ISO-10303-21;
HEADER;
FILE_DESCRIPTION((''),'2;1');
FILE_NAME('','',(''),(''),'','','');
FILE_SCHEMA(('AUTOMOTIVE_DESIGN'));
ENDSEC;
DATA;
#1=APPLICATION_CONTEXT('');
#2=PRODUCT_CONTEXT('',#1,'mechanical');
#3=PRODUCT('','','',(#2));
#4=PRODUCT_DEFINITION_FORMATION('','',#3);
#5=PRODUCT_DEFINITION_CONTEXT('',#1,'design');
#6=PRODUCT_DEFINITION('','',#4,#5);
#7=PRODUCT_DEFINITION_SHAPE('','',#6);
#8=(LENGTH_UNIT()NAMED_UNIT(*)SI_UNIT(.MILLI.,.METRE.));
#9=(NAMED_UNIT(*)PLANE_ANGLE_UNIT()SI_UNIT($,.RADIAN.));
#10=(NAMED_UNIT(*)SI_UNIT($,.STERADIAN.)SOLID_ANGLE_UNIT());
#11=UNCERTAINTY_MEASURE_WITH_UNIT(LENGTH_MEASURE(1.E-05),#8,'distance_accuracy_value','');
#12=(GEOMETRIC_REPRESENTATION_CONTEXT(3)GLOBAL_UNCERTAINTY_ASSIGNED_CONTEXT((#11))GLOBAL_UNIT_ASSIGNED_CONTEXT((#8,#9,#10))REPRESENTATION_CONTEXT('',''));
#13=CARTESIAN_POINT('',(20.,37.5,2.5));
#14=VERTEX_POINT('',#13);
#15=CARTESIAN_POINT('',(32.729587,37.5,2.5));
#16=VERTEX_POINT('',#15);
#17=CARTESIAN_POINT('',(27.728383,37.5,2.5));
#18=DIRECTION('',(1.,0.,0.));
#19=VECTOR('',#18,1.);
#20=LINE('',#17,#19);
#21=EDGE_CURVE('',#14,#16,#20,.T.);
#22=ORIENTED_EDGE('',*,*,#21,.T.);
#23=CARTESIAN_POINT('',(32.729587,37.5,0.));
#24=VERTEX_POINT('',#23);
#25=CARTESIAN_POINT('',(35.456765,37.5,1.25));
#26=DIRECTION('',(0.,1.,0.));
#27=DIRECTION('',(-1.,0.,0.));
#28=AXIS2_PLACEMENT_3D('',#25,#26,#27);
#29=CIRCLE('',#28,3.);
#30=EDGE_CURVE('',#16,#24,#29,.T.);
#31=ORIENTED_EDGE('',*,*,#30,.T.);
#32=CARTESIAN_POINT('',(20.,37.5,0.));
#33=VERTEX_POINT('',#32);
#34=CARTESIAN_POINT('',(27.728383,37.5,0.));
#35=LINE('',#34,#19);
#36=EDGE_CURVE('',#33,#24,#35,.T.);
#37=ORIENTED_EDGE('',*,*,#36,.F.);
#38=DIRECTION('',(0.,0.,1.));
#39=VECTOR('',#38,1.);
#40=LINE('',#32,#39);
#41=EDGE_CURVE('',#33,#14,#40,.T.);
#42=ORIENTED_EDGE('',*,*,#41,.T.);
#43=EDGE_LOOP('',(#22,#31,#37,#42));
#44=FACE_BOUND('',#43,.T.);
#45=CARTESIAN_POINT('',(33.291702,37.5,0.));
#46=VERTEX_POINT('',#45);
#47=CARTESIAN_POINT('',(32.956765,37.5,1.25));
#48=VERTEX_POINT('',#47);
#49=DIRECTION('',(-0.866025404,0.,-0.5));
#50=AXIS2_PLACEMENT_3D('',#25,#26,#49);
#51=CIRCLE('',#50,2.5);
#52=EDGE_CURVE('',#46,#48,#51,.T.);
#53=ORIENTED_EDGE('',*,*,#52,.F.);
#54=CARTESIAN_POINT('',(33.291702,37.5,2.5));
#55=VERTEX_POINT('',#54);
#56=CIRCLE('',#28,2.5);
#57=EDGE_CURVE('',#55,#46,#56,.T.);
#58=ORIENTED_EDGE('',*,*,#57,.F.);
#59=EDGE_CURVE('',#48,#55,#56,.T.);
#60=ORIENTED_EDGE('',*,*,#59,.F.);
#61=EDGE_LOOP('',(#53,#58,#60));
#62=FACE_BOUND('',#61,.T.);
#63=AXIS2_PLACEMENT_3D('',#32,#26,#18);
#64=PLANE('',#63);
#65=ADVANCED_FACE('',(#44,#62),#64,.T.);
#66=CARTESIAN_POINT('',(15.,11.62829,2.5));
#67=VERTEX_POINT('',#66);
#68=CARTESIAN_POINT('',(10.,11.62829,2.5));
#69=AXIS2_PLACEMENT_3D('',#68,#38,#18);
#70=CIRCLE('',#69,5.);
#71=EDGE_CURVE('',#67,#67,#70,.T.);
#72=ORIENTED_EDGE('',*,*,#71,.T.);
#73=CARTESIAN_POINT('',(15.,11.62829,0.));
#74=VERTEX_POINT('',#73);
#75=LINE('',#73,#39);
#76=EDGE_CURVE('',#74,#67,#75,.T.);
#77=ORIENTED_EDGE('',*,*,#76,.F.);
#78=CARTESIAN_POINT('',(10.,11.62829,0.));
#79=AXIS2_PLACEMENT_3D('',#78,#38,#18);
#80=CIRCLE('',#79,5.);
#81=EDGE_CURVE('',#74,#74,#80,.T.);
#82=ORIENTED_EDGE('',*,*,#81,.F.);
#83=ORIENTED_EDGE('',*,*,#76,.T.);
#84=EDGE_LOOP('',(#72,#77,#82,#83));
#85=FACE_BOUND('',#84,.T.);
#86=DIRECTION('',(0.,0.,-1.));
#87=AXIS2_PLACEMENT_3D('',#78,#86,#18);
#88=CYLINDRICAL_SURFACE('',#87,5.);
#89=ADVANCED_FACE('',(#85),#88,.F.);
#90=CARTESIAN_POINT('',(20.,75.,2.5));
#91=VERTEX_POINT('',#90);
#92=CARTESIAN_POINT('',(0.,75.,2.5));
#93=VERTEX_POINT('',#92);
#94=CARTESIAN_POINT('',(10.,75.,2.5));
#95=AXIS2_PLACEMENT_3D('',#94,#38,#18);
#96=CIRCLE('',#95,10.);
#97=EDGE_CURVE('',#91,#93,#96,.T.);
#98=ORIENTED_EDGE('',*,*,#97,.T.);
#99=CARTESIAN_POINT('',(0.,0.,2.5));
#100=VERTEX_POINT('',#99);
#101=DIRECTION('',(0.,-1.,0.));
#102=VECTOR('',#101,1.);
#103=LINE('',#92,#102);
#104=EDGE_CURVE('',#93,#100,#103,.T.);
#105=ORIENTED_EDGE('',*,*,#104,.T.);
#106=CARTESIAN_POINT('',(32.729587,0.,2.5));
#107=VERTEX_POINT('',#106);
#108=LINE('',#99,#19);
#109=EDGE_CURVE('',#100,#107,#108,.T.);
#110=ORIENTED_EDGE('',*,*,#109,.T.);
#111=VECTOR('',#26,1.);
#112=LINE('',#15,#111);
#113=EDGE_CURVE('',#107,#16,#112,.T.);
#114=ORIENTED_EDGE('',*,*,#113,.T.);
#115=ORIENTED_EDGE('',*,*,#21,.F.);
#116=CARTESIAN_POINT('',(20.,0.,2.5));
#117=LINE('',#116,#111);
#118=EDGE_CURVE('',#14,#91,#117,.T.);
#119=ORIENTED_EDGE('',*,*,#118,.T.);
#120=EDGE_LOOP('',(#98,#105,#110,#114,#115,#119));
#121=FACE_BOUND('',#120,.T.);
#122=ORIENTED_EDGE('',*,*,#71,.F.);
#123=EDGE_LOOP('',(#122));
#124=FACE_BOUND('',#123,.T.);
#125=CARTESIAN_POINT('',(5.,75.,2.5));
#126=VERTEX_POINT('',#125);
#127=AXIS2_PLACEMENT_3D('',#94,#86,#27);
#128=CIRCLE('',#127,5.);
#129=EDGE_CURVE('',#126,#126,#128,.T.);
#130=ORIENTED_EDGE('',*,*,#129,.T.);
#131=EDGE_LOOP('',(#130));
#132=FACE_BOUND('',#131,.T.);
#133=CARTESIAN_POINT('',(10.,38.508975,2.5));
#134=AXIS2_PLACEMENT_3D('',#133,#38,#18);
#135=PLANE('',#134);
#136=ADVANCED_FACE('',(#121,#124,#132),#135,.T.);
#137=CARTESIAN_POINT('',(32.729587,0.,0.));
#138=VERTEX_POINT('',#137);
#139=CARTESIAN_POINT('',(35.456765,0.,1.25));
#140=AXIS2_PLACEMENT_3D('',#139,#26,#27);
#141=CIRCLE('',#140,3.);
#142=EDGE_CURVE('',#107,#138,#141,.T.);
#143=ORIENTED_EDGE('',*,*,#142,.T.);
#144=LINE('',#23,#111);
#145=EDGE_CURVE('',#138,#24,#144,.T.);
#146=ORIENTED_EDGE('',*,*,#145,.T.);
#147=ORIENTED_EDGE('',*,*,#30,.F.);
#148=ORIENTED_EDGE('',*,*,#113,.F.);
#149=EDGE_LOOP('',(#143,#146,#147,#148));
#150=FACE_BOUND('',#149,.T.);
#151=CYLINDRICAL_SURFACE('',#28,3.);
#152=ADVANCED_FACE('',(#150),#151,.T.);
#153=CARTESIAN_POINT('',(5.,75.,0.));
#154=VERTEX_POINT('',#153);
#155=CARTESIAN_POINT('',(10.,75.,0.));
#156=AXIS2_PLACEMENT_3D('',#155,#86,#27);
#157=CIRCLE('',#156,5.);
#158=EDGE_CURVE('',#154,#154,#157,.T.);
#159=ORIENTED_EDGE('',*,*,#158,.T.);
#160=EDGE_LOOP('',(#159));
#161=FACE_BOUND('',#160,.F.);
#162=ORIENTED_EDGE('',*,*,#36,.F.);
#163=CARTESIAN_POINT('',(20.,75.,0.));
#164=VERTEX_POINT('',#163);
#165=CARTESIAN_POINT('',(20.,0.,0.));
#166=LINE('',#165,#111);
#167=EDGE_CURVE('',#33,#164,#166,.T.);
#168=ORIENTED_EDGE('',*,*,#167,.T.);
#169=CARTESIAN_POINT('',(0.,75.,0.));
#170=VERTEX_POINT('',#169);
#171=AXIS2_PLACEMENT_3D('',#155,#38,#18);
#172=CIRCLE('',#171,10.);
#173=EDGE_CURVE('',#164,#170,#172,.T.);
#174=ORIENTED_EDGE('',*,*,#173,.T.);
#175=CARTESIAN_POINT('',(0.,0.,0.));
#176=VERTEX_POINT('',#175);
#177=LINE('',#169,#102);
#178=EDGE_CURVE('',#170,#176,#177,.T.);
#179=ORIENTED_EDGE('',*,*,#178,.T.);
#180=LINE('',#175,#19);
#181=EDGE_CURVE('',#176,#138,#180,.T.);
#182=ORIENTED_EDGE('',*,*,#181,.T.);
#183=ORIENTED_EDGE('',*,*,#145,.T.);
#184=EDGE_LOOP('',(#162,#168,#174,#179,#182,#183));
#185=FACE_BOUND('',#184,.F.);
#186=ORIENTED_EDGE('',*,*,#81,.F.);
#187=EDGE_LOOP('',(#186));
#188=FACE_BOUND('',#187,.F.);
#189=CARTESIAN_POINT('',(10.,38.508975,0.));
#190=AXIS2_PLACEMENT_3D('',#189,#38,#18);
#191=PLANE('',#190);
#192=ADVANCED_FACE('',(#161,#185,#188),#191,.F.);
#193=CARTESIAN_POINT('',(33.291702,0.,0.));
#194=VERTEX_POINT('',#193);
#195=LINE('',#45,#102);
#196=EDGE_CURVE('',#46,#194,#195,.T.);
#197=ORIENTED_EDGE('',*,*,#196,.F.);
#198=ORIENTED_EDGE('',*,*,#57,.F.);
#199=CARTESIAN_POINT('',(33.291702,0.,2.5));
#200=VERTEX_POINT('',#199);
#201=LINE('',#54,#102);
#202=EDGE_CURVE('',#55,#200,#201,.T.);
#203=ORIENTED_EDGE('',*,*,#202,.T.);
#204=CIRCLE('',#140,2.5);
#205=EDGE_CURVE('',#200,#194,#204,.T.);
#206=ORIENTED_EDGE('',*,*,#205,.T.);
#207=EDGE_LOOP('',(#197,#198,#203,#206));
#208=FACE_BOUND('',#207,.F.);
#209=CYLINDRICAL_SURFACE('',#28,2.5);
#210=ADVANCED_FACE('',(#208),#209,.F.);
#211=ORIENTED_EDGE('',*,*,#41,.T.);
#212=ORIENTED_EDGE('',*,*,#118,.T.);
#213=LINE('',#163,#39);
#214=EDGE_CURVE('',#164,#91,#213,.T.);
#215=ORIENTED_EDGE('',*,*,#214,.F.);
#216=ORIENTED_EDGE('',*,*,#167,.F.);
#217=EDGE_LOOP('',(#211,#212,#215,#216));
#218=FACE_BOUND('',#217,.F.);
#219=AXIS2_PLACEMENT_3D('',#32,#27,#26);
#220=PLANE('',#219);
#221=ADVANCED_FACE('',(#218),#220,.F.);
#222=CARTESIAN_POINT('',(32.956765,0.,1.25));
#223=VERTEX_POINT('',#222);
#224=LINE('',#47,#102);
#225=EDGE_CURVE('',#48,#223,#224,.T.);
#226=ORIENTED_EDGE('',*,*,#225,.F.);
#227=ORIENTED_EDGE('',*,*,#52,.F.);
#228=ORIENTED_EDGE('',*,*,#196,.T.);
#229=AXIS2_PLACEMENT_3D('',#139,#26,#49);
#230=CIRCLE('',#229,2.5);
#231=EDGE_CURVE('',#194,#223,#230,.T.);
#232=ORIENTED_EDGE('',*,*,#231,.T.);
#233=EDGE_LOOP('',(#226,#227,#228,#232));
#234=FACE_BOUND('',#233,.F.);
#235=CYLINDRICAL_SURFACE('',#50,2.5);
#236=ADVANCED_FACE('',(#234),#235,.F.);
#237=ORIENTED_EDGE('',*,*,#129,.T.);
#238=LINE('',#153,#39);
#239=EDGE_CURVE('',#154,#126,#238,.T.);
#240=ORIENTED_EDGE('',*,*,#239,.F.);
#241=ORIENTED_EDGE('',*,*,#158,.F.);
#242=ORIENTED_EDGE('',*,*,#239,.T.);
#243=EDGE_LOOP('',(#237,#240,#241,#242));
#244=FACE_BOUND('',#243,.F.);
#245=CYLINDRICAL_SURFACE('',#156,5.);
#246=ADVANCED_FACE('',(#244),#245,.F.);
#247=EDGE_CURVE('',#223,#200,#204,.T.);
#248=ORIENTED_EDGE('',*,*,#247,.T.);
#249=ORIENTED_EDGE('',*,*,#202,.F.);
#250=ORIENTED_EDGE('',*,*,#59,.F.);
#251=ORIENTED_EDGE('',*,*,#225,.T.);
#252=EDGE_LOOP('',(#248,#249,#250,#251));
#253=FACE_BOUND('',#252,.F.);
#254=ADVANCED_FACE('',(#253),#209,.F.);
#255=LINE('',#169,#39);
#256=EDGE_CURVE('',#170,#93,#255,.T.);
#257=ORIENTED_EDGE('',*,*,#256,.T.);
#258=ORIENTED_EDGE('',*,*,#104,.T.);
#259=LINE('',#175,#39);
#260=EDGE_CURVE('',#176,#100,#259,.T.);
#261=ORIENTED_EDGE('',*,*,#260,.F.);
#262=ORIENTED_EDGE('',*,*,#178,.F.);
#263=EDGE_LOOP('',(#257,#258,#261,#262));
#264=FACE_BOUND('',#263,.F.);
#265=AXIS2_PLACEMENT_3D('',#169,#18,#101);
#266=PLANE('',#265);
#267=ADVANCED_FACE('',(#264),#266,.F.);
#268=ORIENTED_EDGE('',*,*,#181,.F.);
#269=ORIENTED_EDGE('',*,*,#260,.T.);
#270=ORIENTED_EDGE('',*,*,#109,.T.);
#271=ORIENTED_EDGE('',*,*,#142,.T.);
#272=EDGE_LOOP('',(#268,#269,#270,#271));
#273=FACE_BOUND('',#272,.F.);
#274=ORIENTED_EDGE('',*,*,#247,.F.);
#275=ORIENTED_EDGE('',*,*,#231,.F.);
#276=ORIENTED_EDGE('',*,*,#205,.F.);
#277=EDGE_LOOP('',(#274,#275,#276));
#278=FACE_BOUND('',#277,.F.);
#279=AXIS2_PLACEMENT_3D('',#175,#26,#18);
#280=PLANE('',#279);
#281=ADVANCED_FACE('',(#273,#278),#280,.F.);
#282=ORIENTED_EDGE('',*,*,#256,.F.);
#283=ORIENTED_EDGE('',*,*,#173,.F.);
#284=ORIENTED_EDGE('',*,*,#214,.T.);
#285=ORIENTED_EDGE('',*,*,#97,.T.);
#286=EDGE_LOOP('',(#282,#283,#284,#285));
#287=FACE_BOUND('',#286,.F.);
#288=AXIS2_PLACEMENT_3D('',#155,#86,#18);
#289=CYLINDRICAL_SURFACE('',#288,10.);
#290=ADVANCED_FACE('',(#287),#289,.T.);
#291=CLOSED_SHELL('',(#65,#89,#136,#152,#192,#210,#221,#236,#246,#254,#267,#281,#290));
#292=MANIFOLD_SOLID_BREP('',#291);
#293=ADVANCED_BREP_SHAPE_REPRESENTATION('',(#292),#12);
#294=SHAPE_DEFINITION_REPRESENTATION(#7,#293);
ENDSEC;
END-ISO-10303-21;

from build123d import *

# Parameters (mm, degrees)
F0_R     = 5
F0_W     = 15.4567654431
F0_H     = 37.5
F1_DEPTH = 2.5
F3_DEPTH = 37.501
F2_R     = 3
F2_R_2   = 2.5
F4_DEPTH = 37.5


with BuildPart() as f1:
    # F0 (on Top) → F1 (new body)
    with BuildSketch(Plane.XY):
        with BuildLine():
            Line((0, 75), (0, 0))
            Line((0, 0), (20, 0))
            Line((20, 0), (20, 37.5))
            Line((20, 37.5), (20, 75))
            ThreePointArc((20, 75), (10, 65), (0, 75))
        make_face()
        with Locations((10, 11.628289707)):
            Circle(F0_R, mode=Mode.SUBTRACT)
        with Locations((27.7283827215, 18.75)):
            Rectangle(F0_W, F0_H)
        with BuildLine():
            ThreePointArc((20, 75), (10, 85), (0, 75))
            Line((0, 75), (5, 75))
            ThreePointArc((5, 75), (10, 80), (15, 75))
            Line((15, 75), (20, 75))
        make_face()
        with BuildLine():
            Line((5, 75), (0, 75))
            ThreePointArc((0, 75), (10, 65), (20, 75))
            Line((20, 75), (15, 75))
            ThreePointArc((15, 75), (10, 70), (5, 75))
        make_face()
    extrude(amount=F1_DEPTH)

    # F2 (on face) → F3 (cut, through all)
    with BuildSketch(Plane(origin=(0, 37.5, 0), x_dir=(-1, 0, 0), z_dir=(0, 1, 0))):
        with BuildLine():
            ThreePointArc((-32.9567654431, 1.25), (-33.0419508774, 1.8970476128), (-33.2917019336, 2.5))
            Line((-33.2917019336, 2.5), (-35.4567654431, 2.5))
            Line((-35.4567654431, 2.5), (-35.4567654431, 0))
            Line((-35.4567654431, 0), (-33.2917019336, 0))
            ThreePointArc((-33.2917019336, 0), (-33.0419508774, 0.6029523872), (-32.9567654431, 1.25))
        make_face()
    extrude(amount=-F3_DEPTH, mode=Mode.SUBTRACT)

    # F2 (on face) → F4 (join)
    with BuildSketch(Plane(origin=(0, 37.5, 0), x_dir=(-1, 0, 0), z_dir=(0, 1, 0))):
        with Locations((-35.4567654431, 1.25)):
            Circle(F2_R)
        with Locations((-35.4567654431, 1.25)):
            Circle(F2_R_2, mode=Mode.SUBTRACT)
    extrude(amount=-F4_DEPTH)


solid = f1.part
